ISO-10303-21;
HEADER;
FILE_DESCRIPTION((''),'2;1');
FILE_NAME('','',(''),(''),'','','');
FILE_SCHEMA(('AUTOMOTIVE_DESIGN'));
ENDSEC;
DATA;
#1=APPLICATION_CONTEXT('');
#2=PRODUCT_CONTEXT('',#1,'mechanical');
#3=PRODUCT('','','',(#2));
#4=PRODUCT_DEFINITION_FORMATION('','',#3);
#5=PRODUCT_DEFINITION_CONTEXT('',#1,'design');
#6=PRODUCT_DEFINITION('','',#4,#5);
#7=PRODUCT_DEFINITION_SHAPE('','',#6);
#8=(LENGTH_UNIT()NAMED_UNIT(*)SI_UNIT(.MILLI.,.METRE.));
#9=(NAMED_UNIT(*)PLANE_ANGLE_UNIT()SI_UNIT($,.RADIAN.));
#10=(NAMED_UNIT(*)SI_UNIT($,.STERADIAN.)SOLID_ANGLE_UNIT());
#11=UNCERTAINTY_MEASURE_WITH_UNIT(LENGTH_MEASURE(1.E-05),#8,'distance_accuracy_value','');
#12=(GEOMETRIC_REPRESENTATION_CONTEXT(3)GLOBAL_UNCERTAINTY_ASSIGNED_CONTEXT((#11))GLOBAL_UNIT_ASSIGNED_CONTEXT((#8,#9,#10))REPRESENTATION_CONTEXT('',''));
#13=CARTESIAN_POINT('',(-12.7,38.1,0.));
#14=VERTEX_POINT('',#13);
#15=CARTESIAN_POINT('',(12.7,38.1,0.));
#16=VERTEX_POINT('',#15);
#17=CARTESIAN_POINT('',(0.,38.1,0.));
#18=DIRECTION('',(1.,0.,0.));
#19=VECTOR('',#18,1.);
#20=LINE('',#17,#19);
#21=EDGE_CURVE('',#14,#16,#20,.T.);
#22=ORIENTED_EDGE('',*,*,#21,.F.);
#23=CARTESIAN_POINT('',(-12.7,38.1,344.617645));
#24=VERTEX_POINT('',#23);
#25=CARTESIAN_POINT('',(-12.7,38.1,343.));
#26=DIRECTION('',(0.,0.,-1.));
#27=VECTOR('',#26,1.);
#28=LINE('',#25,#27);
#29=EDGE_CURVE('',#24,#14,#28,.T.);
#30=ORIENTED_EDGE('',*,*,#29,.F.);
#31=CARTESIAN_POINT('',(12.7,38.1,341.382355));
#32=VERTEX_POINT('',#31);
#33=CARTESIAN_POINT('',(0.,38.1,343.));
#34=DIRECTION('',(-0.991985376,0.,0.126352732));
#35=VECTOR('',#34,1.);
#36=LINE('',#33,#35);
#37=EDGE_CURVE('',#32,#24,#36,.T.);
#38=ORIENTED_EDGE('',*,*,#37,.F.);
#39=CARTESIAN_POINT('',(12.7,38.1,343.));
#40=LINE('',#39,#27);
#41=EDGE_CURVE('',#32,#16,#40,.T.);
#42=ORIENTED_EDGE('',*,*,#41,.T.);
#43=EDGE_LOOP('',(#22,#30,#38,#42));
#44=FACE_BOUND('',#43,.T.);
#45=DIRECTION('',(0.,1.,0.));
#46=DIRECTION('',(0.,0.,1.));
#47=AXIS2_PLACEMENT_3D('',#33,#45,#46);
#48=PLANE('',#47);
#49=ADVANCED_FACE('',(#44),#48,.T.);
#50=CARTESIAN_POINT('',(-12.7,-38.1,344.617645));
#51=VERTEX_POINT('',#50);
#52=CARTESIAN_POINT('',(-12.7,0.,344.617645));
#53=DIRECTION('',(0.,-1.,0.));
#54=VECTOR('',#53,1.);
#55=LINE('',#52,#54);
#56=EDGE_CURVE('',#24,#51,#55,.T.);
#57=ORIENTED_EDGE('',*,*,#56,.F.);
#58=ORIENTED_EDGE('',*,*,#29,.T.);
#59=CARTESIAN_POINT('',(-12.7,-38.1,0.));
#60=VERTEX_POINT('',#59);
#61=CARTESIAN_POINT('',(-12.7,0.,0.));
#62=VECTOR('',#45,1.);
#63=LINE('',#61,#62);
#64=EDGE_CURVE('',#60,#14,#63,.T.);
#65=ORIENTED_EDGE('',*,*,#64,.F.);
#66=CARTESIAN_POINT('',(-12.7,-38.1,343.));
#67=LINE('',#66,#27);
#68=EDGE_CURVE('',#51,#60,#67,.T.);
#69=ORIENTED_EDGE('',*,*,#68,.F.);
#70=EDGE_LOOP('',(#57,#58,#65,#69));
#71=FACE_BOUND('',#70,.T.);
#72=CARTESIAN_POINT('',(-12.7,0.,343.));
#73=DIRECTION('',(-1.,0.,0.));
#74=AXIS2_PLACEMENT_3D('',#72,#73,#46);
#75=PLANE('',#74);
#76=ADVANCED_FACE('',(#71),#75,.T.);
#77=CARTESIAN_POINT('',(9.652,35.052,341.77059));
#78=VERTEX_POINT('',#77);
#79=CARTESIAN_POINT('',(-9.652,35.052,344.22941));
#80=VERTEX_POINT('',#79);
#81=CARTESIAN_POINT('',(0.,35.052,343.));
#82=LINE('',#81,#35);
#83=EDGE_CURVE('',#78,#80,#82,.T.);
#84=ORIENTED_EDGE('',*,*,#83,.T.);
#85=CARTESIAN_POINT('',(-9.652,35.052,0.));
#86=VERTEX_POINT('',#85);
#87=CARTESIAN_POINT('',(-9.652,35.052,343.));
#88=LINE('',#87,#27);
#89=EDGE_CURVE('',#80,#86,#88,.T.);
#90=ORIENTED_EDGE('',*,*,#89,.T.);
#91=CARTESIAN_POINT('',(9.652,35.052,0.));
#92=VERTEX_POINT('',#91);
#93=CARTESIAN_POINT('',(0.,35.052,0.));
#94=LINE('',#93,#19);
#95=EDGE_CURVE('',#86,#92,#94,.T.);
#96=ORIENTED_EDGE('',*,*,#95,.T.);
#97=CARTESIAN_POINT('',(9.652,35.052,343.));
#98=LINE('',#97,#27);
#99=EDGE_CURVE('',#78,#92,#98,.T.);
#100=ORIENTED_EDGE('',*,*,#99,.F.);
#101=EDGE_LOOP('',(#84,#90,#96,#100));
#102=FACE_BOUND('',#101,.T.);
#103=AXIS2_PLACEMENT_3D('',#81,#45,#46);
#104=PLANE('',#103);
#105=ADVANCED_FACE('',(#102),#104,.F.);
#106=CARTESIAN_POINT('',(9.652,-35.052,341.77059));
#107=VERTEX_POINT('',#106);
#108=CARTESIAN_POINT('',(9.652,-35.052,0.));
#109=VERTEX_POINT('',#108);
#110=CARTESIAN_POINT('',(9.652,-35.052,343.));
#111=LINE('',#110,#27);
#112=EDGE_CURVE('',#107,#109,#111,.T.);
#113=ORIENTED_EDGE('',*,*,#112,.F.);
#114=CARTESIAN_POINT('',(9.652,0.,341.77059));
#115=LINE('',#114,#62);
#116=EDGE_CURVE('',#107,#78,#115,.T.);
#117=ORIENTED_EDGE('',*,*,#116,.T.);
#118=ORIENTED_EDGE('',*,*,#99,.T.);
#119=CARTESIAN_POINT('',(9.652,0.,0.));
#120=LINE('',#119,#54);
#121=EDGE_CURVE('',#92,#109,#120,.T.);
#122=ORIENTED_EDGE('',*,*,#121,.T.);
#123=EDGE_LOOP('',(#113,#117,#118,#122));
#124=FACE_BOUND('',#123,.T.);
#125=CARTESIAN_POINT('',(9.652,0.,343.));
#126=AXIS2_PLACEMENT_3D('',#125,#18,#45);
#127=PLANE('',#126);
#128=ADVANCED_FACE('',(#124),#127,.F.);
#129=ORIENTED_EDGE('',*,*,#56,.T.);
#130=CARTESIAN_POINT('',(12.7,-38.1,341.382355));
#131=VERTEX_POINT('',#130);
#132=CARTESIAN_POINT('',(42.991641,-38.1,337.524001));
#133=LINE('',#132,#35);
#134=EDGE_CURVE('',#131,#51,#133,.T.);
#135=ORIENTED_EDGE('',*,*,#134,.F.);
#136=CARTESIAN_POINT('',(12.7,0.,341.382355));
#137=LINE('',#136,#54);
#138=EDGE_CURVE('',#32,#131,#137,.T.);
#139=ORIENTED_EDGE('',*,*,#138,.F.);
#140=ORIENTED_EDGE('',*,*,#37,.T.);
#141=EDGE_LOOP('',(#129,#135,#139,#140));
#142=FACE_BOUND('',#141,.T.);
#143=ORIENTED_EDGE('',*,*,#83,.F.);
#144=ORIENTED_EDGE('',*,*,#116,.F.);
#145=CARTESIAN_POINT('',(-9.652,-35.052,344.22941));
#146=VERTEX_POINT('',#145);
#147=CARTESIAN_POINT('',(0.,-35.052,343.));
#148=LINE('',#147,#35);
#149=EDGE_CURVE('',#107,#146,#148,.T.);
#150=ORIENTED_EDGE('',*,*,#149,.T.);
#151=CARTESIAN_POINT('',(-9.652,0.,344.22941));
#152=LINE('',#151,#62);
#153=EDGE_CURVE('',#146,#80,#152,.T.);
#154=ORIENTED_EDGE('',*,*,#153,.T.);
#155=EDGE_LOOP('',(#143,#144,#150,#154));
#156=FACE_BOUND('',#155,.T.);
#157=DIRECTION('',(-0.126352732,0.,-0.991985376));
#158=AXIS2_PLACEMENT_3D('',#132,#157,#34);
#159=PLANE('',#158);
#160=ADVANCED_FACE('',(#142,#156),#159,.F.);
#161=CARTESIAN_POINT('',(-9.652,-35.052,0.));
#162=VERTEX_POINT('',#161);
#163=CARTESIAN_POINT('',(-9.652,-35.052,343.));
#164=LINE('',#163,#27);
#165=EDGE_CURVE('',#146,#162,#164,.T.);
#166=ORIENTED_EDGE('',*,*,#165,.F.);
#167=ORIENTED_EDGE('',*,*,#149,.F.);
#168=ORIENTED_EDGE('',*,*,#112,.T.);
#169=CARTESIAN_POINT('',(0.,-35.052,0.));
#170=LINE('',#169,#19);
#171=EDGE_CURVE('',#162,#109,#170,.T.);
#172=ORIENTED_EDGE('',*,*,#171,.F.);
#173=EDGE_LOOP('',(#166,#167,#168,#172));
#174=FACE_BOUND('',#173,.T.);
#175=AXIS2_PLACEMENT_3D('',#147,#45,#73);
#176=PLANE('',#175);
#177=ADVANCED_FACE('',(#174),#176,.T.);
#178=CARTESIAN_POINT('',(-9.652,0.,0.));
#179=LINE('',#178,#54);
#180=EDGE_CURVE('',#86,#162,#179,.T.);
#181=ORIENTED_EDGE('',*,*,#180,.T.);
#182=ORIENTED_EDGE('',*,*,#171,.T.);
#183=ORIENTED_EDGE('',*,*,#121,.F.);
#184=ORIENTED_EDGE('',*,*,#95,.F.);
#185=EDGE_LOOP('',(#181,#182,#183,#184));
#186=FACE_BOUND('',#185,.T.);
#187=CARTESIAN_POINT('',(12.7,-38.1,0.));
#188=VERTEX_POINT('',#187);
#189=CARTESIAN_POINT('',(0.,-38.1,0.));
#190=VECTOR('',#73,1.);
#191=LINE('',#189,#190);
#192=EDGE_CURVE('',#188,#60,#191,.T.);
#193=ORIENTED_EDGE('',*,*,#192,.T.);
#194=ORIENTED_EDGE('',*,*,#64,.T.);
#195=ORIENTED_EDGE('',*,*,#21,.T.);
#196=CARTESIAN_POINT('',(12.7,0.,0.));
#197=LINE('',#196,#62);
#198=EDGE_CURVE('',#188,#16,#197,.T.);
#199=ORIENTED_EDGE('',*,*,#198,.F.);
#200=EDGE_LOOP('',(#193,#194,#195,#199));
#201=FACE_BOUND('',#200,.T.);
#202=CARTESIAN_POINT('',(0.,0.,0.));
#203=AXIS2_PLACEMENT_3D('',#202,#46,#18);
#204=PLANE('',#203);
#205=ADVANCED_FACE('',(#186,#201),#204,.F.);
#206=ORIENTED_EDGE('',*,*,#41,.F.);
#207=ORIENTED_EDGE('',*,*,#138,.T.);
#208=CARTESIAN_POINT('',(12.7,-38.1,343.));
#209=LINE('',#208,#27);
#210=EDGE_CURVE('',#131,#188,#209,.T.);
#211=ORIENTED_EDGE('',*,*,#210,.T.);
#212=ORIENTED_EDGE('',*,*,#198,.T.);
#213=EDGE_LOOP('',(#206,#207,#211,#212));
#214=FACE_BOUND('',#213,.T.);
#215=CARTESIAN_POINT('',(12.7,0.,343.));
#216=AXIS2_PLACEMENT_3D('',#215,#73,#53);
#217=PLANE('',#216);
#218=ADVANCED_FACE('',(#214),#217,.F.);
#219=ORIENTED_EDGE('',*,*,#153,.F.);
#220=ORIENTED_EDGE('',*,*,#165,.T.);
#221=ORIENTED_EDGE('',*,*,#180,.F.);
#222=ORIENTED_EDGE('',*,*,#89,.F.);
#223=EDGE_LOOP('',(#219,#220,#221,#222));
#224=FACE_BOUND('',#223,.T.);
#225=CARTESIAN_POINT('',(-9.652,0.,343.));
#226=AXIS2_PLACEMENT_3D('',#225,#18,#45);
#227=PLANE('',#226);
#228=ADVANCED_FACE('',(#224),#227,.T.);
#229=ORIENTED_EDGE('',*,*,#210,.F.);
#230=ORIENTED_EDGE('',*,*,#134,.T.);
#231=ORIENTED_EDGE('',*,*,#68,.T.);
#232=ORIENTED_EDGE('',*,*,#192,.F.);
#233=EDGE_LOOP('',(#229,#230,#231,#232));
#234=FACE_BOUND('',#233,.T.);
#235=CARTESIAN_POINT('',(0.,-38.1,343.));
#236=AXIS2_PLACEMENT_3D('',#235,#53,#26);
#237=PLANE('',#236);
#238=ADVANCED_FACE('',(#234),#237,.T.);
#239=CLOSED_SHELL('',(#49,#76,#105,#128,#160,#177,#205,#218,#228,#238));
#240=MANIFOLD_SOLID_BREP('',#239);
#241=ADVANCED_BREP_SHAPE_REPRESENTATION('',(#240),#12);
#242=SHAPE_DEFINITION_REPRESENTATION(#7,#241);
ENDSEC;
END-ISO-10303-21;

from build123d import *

# Parameters (mm, degrees)
SKETCH2_W               = 9.652
SKETCH2_H               = 3.048
SKETCH2_W_2             = 3.048
SKETCH2_H_2             = 35.052
BOSS_EXTRUDE1_DEPTH     = 343
SKETCH3_W               = 25.4
SKETCH3_H               = 76.2
SKETCH3_W_2             = 19.304
SKETCH3_H_2             = 70.104
BOSS_EXTRUDE2_DEPTH     = 50
CUT_EXTRUDE2_DEPTH      = 1
CUT_EXTRUDE2_DEPTH_BACK = 77.2


with BuildPart() as part:
    # Sketch2 → Boss-Extrude1 (new body)
    with BuildSketch(Plane.XY):
        Polygon((-12.7, 0), (-9.652, 0), (-9.652, 35.052), (-9.652, 38.1), (-12.7, 38.1), align=None)
        with Locations((-4.826, 36.576)):
            Rectangle(SKETCH2_W, SKETCH2_H)
        Polygon((0, 38.1), (0, 35.052), (9.652, 35.052), (9.652, 0), (12.7, 0), (12.7, 38.1), align=None)
        with Locations((11.176, -17.526)):
            Rectangle(SKETCH2_W_2, SKETCH2_H_2)
        Polygon((-9.652, -35.052), (-9.652, 0), (-12.7, 0), (-12.7, -38.1), (0, -38.1), (0, -35.052), align=None)
        Polygon((9.652, -35.052), (0, -35.052), (0, -38.1), (12.7, -38.1), (12.7, -35.052), align=None)
    extrude(amount=BOSS_EXTRUDE1_DEPTH)

    # Sketch3 → Boss-Extrude2 (add)
    with BuildSketch(Plane.XY.offset(343)):
        Rectangle(SKETCH3_W, SKETCH3_H)
        Rectangle(SKETCH3_W_2, SKETCH3_H_2, mode=Mode.SUBTRACT)
    extrude(amount=BOSS_EXTRUDE2_DEPTH)

    # Sketch5 → Cut-Extrude2 (cut, two sides)
    with BuildSketch(Plane(origin=(0, 38.1, 0), x_dir=(1, 0, 0), z_dir=(0, 1, 0))) as cut_extrude2_sk:
        Polygon((12.7, -391.250668344), (12.534006261, -391.403498707), (0, -343), (-12.7, -344.617644511), (-12.7, -393), (12.7, -393), align=None)
        Polygon((12.7, -341.382355489), (12.7, -391.250668344), (75.559800862, -333.375677395), align=None)
        Polygon((0, -343), (12.534006261, -391.403498707), (12.7, -391.250668344), (12.7, -341.382355489), align=None)
    extrude(amount=CUT_EXTRUDE2_DEPTH, mode=Mode.SUBTRACT)
    extrude(cut_extrude2_sk.sketch, amount=-CUT_EXTRUDE2_DEPTH_BACK, mode=Mode.SUBTRACT)


solid = part.part
